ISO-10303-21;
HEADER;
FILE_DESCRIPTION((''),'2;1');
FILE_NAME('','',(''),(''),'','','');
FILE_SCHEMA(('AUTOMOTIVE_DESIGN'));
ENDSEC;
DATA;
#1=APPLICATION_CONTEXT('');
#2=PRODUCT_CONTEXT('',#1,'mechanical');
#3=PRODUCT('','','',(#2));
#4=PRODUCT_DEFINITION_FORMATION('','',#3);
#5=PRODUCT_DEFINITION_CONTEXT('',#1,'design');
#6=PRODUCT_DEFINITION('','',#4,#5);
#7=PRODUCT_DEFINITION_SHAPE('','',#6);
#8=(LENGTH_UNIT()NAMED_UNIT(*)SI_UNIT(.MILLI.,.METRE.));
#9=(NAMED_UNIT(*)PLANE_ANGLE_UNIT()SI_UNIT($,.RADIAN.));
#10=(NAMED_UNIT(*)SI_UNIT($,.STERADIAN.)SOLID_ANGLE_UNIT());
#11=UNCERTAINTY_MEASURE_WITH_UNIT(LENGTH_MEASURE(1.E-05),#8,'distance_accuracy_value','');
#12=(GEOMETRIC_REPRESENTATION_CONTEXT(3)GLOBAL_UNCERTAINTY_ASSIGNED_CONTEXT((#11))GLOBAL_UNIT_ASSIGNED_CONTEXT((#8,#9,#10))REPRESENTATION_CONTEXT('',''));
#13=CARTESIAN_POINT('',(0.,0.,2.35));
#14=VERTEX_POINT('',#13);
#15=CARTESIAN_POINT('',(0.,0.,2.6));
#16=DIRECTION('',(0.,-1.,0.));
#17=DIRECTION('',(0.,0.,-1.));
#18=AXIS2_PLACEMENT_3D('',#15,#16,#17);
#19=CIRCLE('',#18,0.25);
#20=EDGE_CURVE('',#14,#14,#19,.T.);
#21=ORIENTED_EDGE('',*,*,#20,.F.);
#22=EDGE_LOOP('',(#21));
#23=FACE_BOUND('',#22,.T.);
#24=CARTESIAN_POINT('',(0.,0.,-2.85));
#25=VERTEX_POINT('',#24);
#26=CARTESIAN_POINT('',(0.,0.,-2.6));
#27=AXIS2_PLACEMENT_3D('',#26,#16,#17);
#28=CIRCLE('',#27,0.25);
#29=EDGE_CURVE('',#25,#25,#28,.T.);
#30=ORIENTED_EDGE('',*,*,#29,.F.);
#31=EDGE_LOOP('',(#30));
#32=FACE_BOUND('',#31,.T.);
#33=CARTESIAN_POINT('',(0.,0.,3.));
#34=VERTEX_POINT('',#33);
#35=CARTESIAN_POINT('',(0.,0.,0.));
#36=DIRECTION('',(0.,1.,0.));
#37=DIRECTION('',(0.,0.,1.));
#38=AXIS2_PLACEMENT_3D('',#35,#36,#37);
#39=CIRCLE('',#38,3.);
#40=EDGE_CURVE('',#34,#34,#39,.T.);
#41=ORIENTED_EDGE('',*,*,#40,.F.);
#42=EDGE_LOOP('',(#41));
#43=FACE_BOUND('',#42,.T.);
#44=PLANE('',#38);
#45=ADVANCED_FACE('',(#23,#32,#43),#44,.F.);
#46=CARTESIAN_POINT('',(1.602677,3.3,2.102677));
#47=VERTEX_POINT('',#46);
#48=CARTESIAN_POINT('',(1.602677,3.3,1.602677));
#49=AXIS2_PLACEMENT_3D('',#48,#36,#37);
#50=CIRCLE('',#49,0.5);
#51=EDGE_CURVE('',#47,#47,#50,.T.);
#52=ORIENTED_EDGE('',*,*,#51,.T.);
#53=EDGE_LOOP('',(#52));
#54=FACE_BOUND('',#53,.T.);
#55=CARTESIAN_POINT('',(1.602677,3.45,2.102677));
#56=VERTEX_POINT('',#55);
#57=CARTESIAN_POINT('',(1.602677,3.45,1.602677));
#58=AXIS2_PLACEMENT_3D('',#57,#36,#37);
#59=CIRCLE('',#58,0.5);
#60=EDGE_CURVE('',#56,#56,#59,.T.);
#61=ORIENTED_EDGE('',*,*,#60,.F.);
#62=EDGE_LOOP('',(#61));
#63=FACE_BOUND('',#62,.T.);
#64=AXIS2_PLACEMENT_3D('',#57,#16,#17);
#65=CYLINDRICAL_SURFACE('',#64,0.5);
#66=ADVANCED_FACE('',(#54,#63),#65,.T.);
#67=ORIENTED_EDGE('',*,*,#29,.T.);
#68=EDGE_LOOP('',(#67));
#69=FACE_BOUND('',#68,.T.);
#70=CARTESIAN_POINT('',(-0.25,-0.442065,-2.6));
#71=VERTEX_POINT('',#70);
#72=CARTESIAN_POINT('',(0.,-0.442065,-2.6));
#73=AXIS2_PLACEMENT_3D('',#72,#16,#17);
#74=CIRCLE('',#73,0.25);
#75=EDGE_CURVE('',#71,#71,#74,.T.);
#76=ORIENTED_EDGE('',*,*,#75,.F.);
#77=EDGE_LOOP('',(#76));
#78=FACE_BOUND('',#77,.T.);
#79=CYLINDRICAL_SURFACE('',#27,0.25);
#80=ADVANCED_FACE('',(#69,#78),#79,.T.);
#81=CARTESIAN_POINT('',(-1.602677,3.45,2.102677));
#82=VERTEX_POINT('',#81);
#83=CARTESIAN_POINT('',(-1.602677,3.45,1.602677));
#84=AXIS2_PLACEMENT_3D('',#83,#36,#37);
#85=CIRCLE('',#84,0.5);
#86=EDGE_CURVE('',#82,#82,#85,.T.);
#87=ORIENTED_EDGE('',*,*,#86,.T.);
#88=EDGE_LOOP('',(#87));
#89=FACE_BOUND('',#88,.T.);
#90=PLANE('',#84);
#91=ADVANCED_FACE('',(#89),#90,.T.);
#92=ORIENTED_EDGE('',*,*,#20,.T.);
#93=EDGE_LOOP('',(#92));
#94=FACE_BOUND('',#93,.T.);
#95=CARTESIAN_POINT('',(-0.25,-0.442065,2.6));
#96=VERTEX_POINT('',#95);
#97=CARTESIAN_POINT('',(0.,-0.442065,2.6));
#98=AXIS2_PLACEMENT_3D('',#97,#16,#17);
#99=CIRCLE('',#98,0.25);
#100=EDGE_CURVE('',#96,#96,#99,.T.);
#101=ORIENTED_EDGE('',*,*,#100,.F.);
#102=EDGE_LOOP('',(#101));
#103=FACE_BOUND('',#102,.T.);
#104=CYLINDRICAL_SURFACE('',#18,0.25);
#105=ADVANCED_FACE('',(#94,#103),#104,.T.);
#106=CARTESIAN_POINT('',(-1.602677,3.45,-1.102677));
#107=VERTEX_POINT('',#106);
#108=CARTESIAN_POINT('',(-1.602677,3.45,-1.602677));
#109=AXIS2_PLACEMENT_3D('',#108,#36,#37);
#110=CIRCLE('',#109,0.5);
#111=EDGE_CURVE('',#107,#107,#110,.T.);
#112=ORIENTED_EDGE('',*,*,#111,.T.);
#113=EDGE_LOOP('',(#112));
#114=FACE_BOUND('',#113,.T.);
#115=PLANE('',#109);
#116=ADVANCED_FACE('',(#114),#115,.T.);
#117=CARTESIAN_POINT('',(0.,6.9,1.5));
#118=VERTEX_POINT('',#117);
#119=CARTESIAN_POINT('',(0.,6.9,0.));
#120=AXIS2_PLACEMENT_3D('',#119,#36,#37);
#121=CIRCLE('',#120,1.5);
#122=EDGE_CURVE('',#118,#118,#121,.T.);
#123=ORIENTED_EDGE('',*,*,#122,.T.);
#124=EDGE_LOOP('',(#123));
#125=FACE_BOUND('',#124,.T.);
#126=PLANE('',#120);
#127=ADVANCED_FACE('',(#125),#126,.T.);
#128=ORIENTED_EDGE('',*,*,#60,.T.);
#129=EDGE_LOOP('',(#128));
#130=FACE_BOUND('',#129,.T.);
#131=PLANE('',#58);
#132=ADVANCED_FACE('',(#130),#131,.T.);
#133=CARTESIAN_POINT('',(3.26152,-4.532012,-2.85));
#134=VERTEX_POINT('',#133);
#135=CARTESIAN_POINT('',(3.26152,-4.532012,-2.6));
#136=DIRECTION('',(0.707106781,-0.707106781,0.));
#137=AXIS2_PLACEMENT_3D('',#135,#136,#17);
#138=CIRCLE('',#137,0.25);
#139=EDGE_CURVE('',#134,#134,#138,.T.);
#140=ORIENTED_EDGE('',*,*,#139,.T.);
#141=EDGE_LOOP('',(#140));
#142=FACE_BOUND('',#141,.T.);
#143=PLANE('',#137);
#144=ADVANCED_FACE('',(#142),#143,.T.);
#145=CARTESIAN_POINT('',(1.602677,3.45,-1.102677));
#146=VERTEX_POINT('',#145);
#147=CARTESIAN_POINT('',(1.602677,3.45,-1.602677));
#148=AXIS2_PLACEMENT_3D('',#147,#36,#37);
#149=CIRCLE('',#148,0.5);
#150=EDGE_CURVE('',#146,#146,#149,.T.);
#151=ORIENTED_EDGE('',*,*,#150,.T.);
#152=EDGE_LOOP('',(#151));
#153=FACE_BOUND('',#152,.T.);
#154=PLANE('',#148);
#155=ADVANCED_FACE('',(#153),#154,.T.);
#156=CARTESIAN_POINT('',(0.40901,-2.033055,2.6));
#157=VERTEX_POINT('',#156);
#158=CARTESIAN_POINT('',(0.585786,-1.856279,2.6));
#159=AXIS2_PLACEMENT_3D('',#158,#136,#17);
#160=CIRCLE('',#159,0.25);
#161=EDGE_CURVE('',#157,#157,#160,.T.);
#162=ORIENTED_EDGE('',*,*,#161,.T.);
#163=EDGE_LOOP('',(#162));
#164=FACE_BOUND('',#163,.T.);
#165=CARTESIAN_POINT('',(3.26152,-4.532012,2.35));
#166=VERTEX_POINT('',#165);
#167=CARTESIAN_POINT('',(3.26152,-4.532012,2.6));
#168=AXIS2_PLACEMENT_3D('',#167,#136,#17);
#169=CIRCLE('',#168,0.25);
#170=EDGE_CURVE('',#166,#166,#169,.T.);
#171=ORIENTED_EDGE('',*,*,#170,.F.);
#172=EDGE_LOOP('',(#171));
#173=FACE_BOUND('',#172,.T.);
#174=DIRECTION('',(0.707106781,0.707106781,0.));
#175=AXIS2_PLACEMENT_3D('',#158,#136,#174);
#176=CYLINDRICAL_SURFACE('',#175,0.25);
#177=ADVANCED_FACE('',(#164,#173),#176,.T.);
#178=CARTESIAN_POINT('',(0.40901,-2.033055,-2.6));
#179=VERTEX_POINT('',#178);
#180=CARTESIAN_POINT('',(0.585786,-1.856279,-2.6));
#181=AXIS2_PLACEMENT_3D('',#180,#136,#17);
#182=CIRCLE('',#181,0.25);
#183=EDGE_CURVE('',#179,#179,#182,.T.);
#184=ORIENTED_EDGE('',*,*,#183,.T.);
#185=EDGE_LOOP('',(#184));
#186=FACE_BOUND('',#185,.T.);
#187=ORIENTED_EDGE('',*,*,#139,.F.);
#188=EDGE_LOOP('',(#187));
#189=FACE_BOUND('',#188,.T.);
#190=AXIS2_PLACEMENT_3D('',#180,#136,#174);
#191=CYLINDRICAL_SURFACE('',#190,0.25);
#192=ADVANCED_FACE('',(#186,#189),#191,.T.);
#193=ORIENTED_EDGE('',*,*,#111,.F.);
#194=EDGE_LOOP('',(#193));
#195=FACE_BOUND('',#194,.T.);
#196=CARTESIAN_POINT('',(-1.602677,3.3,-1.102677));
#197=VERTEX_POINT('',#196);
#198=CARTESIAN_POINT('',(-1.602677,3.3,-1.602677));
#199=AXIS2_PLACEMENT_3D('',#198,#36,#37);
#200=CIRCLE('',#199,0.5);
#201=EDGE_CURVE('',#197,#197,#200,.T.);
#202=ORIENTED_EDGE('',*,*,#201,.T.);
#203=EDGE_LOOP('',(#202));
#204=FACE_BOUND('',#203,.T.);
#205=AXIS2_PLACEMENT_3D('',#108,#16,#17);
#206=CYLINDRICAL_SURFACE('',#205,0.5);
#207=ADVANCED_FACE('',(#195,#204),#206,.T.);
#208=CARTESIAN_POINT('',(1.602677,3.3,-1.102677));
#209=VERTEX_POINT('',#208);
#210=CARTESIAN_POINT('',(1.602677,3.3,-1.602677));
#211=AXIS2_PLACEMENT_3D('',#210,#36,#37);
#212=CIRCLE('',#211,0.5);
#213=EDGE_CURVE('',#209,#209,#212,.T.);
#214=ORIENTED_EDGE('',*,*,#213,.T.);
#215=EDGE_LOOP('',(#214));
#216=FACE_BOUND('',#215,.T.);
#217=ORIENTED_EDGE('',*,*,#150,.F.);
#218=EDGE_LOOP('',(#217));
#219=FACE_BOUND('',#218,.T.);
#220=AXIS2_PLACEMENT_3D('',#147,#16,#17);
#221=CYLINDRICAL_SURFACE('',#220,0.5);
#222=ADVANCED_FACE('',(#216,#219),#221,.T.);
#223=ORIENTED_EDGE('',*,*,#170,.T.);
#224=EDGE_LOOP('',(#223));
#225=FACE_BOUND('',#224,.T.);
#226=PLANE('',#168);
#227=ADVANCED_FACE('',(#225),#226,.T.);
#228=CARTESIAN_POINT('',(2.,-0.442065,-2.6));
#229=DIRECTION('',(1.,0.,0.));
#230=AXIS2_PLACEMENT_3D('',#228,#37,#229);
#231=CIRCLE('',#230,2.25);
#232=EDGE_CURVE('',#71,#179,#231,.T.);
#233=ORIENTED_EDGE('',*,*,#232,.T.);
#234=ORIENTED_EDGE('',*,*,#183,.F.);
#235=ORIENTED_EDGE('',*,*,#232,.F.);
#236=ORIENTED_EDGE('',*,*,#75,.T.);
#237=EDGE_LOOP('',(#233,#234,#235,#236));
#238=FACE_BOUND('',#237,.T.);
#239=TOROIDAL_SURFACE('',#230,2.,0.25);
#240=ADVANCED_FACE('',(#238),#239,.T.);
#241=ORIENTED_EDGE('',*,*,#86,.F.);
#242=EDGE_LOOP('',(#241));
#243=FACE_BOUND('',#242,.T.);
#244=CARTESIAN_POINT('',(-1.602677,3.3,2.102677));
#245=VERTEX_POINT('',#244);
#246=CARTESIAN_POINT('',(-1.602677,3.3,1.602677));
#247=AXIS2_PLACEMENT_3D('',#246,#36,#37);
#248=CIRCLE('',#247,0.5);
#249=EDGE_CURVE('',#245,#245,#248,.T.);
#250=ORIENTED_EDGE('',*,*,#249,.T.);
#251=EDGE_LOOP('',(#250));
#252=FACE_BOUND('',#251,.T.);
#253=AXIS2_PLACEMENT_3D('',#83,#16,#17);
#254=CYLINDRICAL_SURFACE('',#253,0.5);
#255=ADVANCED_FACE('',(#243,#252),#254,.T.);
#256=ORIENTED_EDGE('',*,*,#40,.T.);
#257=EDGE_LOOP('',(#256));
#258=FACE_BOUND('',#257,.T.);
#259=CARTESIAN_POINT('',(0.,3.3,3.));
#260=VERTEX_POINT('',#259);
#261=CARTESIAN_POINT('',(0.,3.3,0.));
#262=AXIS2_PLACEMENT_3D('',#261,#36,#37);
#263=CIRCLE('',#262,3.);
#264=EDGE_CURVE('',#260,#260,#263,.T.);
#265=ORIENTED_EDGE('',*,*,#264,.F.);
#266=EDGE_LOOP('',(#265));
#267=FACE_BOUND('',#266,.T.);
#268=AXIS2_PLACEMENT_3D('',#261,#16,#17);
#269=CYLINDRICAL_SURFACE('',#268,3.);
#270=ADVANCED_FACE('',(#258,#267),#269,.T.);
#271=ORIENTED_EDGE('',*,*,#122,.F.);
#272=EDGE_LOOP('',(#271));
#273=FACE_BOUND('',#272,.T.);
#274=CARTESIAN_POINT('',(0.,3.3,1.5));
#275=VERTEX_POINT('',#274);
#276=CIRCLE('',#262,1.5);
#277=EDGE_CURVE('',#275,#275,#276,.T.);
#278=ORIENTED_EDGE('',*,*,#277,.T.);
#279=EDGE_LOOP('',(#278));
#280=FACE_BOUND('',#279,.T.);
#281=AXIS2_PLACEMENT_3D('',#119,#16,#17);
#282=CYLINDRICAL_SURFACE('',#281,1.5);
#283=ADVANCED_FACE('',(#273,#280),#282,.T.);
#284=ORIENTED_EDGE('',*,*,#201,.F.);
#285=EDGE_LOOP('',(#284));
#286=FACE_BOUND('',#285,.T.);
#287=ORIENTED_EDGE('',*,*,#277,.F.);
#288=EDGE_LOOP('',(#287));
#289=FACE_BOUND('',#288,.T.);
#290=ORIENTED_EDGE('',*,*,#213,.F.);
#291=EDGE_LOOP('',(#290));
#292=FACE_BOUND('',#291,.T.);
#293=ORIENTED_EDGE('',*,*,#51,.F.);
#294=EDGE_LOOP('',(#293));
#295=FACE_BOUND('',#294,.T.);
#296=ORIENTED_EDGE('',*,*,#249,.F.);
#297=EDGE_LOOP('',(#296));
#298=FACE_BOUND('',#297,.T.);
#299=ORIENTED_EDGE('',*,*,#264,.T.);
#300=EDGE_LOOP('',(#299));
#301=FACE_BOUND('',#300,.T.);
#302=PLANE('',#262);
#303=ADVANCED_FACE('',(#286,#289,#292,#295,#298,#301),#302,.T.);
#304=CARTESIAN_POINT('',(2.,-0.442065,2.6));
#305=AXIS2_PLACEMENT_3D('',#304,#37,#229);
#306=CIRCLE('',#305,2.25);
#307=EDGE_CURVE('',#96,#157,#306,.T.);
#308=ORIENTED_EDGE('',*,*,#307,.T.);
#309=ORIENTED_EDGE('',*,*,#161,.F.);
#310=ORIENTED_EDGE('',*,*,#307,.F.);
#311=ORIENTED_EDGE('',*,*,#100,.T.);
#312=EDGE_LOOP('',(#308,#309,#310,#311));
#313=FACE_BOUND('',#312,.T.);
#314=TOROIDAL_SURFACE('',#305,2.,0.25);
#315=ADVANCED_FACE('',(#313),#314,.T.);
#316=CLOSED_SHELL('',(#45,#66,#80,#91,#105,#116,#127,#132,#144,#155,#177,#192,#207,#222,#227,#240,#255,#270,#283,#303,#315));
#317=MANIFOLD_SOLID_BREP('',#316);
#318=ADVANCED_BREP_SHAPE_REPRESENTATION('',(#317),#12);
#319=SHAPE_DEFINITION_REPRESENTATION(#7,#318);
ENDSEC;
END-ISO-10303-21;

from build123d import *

# Parameters (mm, degrees)
SKETCH1_R           = 3
BOSS_EXTRUDE1_DEPTH = 3.3
SKETCH2_R           = 1.5
BOSS_EXTRUDE2_DEPTH = 3.6
SKETCH4_R           = 0.5
BOSS_EXTRUDE4_DEPTH = 0.15
SKETCH3_R           = 0.25


with BuildPart() as part:
    # Sketch1 → Boss-Extrude1 (new body)
    with BuildSketch(Plane(origin=(0, 0, 0), x_dir=(1, 0, 0), z_dir=(0, 1, 0))):
        Circle(SKETCH1_R)
    extrude(amount=BOSS_EXTRUDE1_DEPTH)

    # Sketch2 → Boss-Extrude2 (add)
    with BuildSketch(Plane(origin=(0, 3.3, 0), x_dir=(1, 0, 0), z_dir=(0, 1, 0))):
        Circle(SKETCH2_R)
    extrude(amount=BOSS_EXTRUDE2_DEPTH)

    # Sketch4 → Boss-Extrude4 (add)
    with BuildSketch(Plane(origin=(0, 3.3, 0), x_dir=(1, 0, 0), z_dir=(0, 1, 0))):
        with Locations((-1.60267659, 1.60267659)):
            Circle(SKETCH4_R)
        with Locations((1.60267659, 1.60267659)):
            Circle(SKETCH4_R)
        with Locations((-1.60267659, -1.60267659)):
            Circle(SKETCH4_R)
        with Locations((1.60267659, -1.60267659)):
            Circle(SKETCH4_R)
    extrude(amount=BOSS_EXTRUDE4_DEPTH)

    # Sweep2: sweep along a path in Sketch5
    with BuildLine(Plane.XY) as sweep2_path:
        Line((0, 0), (0, -0.442064994))
        ThreePointArc((0, -0.442064994), (0.152240935, -1.207431859), (0.585786438, -1.856278556))
        Line((0.585786438, -1.856278556), (3.261520237, -4.532012355))
    # Sketch3 → Sweep2 (sweep)
    with BuildSketch(Plane.XZ):
        with Locations((0, 2.6)):
            Circle(SKETCH3_R)
        with Locations((0, -2.6)):
            Circle(SKETCH3_R)
    sweep(path=sweep2_path.line)


solid = part.part
